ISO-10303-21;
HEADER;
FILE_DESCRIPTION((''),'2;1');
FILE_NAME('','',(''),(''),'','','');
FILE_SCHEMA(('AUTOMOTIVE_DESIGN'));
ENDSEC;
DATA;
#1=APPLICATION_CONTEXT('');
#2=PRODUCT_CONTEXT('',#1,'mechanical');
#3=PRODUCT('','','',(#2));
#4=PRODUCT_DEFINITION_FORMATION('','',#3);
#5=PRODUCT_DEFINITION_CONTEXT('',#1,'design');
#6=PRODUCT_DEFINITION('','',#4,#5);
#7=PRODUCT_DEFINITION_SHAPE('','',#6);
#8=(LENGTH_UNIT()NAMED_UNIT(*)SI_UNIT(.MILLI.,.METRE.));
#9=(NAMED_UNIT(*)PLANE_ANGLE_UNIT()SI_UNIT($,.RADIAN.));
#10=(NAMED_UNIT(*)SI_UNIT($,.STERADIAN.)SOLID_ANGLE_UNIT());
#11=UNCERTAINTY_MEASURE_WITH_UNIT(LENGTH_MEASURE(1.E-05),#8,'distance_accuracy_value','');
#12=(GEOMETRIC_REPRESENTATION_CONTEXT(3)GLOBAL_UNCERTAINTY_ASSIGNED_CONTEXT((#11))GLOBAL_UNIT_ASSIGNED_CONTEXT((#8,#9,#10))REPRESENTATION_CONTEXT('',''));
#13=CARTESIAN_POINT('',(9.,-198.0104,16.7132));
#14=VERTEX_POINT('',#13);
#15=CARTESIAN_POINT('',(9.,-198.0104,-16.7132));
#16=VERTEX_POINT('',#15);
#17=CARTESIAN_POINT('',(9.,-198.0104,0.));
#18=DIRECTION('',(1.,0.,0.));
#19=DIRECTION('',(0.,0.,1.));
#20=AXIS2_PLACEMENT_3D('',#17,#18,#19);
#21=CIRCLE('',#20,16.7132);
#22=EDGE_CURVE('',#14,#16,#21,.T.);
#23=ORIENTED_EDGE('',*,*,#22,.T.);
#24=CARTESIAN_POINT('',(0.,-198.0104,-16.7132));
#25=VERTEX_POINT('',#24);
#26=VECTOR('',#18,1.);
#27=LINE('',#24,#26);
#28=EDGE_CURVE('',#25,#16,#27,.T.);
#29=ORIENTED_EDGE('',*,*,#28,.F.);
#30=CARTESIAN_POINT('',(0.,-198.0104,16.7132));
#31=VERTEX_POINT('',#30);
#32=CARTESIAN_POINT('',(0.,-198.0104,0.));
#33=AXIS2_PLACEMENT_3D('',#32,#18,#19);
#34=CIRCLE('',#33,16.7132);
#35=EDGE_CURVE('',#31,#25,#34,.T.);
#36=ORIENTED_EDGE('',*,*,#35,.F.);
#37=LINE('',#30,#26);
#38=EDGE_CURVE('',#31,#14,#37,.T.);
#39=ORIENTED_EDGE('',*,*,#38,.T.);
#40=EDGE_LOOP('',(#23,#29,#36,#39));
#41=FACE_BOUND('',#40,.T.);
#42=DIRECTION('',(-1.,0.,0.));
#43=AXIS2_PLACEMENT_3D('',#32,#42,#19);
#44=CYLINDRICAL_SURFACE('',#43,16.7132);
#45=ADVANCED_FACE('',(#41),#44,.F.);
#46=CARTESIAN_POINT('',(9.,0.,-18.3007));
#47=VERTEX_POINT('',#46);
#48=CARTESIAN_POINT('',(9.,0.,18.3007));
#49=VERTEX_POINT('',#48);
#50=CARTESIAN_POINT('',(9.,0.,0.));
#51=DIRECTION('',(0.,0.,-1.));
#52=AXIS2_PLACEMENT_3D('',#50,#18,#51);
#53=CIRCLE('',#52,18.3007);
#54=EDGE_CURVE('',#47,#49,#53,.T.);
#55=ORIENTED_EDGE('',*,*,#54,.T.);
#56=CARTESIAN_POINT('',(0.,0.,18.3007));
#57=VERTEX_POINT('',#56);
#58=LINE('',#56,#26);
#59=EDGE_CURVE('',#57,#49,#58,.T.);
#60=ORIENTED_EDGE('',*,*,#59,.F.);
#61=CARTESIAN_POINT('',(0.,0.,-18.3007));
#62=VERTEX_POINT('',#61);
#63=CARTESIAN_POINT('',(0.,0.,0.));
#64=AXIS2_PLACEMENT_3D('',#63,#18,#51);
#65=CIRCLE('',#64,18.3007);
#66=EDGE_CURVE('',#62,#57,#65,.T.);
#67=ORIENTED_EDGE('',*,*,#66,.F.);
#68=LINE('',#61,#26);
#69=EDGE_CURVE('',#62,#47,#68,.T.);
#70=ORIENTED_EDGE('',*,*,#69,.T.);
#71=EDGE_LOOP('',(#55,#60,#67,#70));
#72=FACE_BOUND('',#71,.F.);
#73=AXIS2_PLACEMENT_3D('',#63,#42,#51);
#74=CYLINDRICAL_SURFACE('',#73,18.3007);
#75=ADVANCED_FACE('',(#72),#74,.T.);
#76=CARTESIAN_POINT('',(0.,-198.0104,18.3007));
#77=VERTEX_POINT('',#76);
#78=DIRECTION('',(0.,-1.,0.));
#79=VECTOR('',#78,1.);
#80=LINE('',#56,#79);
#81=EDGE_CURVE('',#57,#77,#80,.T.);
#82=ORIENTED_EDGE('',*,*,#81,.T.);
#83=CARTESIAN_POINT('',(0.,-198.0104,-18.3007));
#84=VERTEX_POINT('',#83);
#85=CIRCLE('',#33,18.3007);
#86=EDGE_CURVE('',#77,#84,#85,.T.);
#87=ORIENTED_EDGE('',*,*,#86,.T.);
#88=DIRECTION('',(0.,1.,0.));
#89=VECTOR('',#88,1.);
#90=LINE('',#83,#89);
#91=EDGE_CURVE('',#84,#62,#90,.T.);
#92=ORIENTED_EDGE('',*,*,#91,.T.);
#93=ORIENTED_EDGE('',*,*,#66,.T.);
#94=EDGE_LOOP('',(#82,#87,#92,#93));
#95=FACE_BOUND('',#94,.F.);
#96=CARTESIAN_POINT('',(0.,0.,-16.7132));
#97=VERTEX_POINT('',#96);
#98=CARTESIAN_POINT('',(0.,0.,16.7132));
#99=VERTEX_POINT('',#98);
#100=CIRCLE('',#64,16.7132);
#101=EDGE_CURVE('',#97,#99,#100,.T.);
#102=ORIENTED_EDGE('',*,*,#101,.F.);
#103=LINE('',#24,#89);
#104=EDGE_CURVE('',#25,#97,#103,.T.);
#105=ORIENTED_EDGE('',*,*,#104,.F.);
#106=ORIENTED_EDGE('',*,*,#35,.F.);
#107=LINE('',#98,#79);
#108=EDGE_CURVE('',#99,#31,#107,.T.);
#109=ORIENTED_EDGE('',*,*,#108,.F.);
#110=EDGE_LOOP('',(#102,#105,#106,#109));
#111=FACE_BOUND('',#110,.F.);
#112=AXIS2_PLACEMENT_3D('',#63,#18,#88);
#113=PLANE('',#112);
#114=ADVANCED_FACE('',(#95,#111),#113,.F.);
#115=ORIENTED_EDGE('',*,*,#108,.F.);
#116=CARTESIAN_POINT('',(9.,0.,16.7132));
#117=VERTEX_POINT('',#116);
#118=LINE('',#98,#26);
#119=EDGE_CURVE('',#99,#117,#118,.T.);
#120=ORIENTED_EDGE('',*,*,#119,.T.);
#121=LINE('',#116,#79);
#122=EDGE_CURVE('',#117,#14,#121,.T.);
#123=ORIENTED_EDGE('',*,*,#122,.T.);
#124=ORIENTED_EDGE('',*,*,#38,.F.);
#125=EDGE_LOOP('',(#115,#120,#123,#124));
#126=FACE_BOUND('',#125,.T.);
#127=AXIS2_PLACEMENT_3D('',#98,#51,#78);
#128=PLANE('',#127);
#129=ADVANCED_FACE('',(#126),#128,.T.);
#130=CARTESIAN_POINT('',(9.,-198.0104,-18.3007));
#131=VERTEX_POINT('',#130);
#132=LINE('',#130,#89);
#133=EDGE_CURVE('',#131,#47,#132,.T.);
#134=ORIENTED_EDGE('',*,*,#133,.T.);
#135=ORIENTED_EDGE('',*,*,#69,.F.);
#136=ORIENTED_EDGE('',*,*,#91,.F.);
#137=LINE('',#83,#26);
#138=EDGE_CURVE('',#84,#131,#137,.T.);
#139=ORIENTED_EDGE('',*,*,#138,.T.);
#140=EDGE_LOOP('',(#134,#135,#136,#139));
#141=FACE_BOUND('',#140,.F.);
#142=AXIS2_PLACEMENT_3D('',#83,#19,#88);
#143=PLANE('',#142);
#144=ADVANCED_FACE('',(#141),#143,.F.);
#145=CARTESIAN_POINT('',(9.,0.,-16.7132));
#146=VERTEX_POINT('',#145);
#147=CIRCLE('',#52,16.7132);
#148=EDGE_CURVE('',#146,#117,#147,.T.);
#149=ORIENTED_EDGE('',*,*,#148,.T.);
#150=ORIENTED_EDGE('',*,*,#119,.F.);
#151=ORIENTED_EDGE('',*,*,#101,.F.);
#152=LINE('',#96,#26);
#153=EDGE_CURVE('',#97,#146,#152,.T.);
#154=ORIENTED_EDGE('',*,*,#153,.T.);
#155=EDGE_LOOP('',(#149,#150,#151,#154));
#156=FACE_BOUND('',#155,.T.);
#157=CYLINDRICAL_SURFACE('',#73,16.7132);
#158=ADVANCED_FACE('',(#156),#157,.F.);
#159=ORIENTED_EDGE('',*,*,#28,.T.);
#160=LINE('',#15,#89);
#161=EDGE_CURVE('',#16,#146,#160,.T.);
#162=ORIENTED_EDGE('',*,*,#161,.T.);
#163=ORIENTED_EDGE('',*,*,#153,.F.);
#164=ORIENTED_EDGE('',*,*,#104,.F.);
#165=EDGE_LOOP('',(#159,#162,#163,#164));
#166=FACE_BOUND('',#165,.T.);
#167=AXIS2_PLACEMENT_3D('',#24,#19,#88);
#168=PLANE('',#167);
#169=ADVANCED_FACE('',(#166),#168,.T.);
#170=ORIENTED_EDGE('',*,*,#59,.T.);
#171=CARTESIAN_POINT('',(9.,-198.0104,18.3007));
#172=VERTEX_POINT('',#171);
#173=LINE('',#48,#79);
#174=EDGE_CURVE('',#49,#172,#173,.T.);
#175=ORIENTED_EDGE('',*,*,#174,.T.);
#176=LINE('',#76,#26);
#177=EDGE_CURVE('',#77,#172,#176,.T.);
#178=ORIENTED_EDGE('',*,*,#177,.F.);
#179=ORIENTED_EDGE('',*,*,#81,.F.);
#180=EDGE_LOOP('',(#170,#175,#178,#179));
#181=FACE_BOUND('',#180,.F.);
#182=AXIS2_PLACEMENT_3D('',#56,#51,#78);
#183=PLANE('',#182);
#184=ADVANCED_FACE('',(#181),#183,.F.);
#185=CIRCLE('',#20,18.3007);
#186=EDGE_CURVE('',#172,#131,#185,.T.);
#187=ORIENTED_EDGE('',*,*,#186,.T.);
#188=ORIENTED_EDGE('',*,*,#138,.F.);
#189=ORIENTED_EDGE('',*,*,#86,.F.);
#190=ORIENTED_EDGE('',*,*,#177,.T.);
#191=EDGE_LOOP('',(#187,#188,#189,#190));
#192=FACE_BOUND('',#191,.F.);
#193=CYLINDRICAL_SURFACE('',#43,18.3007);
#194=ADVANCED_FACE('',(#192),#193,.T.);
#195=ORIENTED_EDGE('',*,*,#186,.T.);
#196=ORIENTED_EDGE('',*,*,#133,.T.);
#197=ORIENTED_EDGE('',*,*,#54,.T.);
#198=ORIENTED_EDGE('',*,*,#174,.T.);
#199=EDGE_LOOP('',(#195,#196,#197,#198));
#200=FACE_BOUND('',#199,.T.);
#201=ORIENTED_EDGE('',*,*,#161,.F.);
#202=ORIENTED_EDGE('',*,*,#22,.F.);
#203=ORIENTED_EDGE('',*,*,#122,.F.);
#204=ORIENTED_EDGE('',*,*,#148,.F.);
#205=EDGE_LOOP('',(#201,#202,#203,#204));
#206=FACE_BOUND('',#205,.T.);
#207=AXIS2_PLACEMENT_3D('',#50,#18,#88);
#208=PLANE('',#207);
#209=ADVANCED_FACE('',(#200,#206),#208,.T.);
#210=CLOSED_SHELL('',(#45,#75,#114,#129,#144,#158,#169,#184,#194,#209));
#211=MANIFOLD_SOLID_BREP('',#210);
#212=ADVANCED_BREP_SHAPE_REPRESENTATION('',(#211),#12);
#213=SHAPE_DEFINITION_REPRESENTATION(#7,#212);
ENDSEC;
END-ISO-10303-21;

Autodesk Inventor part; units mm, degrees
ref_plane "YZ Plane" through (0, 0, 0) normal (1, 0, 0) x (0, 1, 0)
ref_plane "XZ Plane" through (0, 0, 0) normal (0, 1, 0) x (-1, 0, 0)
ref_plane "XY Plane" through (0, 0, 0) normal (0, 0, 1) x (1, 0, 0)
sketch "Sketch1" plane through (0, 0, 0) normal (1, 0, 0) x (0, 1, 0)
  arc A0 (0, -16.7132) -> (0, 16.7132) centre (0, 0) ccw
  arc A1 (-198.0104, 16.7132) -> (-198.0104, -16.7132) centre (-198.0104, 0) ccw
  line L0 (0, 16.7132) -> (-198.0104, 16.7132)
  line L1 (-198.0104, -16.7132) -> (0, -16.7132)
  arc A2 (-198.0104, 18.3007) -> (-198.0104, -18.3007) centre (-198.0104, 0) ccw
  line L2 (-198.0104, -18.3007) -> (0, -18.3007)
  arc A3 (0, -18.3007) -> (0, 18.3007) centre (0, 0) ccw
  line L3 (0, 18.3007) -> (-198.0104, 18.3007)
  dimension "d0" = 16.7132
  dimension "d1" = 198.0104
  dimension "d2" = 1.5875
extrude "Extrusion1" add sketch "Sketch1" along normal blind 9
properties part number "STANDIN,BELT,100T,HTD5mm" material "Nylon 6/6"
